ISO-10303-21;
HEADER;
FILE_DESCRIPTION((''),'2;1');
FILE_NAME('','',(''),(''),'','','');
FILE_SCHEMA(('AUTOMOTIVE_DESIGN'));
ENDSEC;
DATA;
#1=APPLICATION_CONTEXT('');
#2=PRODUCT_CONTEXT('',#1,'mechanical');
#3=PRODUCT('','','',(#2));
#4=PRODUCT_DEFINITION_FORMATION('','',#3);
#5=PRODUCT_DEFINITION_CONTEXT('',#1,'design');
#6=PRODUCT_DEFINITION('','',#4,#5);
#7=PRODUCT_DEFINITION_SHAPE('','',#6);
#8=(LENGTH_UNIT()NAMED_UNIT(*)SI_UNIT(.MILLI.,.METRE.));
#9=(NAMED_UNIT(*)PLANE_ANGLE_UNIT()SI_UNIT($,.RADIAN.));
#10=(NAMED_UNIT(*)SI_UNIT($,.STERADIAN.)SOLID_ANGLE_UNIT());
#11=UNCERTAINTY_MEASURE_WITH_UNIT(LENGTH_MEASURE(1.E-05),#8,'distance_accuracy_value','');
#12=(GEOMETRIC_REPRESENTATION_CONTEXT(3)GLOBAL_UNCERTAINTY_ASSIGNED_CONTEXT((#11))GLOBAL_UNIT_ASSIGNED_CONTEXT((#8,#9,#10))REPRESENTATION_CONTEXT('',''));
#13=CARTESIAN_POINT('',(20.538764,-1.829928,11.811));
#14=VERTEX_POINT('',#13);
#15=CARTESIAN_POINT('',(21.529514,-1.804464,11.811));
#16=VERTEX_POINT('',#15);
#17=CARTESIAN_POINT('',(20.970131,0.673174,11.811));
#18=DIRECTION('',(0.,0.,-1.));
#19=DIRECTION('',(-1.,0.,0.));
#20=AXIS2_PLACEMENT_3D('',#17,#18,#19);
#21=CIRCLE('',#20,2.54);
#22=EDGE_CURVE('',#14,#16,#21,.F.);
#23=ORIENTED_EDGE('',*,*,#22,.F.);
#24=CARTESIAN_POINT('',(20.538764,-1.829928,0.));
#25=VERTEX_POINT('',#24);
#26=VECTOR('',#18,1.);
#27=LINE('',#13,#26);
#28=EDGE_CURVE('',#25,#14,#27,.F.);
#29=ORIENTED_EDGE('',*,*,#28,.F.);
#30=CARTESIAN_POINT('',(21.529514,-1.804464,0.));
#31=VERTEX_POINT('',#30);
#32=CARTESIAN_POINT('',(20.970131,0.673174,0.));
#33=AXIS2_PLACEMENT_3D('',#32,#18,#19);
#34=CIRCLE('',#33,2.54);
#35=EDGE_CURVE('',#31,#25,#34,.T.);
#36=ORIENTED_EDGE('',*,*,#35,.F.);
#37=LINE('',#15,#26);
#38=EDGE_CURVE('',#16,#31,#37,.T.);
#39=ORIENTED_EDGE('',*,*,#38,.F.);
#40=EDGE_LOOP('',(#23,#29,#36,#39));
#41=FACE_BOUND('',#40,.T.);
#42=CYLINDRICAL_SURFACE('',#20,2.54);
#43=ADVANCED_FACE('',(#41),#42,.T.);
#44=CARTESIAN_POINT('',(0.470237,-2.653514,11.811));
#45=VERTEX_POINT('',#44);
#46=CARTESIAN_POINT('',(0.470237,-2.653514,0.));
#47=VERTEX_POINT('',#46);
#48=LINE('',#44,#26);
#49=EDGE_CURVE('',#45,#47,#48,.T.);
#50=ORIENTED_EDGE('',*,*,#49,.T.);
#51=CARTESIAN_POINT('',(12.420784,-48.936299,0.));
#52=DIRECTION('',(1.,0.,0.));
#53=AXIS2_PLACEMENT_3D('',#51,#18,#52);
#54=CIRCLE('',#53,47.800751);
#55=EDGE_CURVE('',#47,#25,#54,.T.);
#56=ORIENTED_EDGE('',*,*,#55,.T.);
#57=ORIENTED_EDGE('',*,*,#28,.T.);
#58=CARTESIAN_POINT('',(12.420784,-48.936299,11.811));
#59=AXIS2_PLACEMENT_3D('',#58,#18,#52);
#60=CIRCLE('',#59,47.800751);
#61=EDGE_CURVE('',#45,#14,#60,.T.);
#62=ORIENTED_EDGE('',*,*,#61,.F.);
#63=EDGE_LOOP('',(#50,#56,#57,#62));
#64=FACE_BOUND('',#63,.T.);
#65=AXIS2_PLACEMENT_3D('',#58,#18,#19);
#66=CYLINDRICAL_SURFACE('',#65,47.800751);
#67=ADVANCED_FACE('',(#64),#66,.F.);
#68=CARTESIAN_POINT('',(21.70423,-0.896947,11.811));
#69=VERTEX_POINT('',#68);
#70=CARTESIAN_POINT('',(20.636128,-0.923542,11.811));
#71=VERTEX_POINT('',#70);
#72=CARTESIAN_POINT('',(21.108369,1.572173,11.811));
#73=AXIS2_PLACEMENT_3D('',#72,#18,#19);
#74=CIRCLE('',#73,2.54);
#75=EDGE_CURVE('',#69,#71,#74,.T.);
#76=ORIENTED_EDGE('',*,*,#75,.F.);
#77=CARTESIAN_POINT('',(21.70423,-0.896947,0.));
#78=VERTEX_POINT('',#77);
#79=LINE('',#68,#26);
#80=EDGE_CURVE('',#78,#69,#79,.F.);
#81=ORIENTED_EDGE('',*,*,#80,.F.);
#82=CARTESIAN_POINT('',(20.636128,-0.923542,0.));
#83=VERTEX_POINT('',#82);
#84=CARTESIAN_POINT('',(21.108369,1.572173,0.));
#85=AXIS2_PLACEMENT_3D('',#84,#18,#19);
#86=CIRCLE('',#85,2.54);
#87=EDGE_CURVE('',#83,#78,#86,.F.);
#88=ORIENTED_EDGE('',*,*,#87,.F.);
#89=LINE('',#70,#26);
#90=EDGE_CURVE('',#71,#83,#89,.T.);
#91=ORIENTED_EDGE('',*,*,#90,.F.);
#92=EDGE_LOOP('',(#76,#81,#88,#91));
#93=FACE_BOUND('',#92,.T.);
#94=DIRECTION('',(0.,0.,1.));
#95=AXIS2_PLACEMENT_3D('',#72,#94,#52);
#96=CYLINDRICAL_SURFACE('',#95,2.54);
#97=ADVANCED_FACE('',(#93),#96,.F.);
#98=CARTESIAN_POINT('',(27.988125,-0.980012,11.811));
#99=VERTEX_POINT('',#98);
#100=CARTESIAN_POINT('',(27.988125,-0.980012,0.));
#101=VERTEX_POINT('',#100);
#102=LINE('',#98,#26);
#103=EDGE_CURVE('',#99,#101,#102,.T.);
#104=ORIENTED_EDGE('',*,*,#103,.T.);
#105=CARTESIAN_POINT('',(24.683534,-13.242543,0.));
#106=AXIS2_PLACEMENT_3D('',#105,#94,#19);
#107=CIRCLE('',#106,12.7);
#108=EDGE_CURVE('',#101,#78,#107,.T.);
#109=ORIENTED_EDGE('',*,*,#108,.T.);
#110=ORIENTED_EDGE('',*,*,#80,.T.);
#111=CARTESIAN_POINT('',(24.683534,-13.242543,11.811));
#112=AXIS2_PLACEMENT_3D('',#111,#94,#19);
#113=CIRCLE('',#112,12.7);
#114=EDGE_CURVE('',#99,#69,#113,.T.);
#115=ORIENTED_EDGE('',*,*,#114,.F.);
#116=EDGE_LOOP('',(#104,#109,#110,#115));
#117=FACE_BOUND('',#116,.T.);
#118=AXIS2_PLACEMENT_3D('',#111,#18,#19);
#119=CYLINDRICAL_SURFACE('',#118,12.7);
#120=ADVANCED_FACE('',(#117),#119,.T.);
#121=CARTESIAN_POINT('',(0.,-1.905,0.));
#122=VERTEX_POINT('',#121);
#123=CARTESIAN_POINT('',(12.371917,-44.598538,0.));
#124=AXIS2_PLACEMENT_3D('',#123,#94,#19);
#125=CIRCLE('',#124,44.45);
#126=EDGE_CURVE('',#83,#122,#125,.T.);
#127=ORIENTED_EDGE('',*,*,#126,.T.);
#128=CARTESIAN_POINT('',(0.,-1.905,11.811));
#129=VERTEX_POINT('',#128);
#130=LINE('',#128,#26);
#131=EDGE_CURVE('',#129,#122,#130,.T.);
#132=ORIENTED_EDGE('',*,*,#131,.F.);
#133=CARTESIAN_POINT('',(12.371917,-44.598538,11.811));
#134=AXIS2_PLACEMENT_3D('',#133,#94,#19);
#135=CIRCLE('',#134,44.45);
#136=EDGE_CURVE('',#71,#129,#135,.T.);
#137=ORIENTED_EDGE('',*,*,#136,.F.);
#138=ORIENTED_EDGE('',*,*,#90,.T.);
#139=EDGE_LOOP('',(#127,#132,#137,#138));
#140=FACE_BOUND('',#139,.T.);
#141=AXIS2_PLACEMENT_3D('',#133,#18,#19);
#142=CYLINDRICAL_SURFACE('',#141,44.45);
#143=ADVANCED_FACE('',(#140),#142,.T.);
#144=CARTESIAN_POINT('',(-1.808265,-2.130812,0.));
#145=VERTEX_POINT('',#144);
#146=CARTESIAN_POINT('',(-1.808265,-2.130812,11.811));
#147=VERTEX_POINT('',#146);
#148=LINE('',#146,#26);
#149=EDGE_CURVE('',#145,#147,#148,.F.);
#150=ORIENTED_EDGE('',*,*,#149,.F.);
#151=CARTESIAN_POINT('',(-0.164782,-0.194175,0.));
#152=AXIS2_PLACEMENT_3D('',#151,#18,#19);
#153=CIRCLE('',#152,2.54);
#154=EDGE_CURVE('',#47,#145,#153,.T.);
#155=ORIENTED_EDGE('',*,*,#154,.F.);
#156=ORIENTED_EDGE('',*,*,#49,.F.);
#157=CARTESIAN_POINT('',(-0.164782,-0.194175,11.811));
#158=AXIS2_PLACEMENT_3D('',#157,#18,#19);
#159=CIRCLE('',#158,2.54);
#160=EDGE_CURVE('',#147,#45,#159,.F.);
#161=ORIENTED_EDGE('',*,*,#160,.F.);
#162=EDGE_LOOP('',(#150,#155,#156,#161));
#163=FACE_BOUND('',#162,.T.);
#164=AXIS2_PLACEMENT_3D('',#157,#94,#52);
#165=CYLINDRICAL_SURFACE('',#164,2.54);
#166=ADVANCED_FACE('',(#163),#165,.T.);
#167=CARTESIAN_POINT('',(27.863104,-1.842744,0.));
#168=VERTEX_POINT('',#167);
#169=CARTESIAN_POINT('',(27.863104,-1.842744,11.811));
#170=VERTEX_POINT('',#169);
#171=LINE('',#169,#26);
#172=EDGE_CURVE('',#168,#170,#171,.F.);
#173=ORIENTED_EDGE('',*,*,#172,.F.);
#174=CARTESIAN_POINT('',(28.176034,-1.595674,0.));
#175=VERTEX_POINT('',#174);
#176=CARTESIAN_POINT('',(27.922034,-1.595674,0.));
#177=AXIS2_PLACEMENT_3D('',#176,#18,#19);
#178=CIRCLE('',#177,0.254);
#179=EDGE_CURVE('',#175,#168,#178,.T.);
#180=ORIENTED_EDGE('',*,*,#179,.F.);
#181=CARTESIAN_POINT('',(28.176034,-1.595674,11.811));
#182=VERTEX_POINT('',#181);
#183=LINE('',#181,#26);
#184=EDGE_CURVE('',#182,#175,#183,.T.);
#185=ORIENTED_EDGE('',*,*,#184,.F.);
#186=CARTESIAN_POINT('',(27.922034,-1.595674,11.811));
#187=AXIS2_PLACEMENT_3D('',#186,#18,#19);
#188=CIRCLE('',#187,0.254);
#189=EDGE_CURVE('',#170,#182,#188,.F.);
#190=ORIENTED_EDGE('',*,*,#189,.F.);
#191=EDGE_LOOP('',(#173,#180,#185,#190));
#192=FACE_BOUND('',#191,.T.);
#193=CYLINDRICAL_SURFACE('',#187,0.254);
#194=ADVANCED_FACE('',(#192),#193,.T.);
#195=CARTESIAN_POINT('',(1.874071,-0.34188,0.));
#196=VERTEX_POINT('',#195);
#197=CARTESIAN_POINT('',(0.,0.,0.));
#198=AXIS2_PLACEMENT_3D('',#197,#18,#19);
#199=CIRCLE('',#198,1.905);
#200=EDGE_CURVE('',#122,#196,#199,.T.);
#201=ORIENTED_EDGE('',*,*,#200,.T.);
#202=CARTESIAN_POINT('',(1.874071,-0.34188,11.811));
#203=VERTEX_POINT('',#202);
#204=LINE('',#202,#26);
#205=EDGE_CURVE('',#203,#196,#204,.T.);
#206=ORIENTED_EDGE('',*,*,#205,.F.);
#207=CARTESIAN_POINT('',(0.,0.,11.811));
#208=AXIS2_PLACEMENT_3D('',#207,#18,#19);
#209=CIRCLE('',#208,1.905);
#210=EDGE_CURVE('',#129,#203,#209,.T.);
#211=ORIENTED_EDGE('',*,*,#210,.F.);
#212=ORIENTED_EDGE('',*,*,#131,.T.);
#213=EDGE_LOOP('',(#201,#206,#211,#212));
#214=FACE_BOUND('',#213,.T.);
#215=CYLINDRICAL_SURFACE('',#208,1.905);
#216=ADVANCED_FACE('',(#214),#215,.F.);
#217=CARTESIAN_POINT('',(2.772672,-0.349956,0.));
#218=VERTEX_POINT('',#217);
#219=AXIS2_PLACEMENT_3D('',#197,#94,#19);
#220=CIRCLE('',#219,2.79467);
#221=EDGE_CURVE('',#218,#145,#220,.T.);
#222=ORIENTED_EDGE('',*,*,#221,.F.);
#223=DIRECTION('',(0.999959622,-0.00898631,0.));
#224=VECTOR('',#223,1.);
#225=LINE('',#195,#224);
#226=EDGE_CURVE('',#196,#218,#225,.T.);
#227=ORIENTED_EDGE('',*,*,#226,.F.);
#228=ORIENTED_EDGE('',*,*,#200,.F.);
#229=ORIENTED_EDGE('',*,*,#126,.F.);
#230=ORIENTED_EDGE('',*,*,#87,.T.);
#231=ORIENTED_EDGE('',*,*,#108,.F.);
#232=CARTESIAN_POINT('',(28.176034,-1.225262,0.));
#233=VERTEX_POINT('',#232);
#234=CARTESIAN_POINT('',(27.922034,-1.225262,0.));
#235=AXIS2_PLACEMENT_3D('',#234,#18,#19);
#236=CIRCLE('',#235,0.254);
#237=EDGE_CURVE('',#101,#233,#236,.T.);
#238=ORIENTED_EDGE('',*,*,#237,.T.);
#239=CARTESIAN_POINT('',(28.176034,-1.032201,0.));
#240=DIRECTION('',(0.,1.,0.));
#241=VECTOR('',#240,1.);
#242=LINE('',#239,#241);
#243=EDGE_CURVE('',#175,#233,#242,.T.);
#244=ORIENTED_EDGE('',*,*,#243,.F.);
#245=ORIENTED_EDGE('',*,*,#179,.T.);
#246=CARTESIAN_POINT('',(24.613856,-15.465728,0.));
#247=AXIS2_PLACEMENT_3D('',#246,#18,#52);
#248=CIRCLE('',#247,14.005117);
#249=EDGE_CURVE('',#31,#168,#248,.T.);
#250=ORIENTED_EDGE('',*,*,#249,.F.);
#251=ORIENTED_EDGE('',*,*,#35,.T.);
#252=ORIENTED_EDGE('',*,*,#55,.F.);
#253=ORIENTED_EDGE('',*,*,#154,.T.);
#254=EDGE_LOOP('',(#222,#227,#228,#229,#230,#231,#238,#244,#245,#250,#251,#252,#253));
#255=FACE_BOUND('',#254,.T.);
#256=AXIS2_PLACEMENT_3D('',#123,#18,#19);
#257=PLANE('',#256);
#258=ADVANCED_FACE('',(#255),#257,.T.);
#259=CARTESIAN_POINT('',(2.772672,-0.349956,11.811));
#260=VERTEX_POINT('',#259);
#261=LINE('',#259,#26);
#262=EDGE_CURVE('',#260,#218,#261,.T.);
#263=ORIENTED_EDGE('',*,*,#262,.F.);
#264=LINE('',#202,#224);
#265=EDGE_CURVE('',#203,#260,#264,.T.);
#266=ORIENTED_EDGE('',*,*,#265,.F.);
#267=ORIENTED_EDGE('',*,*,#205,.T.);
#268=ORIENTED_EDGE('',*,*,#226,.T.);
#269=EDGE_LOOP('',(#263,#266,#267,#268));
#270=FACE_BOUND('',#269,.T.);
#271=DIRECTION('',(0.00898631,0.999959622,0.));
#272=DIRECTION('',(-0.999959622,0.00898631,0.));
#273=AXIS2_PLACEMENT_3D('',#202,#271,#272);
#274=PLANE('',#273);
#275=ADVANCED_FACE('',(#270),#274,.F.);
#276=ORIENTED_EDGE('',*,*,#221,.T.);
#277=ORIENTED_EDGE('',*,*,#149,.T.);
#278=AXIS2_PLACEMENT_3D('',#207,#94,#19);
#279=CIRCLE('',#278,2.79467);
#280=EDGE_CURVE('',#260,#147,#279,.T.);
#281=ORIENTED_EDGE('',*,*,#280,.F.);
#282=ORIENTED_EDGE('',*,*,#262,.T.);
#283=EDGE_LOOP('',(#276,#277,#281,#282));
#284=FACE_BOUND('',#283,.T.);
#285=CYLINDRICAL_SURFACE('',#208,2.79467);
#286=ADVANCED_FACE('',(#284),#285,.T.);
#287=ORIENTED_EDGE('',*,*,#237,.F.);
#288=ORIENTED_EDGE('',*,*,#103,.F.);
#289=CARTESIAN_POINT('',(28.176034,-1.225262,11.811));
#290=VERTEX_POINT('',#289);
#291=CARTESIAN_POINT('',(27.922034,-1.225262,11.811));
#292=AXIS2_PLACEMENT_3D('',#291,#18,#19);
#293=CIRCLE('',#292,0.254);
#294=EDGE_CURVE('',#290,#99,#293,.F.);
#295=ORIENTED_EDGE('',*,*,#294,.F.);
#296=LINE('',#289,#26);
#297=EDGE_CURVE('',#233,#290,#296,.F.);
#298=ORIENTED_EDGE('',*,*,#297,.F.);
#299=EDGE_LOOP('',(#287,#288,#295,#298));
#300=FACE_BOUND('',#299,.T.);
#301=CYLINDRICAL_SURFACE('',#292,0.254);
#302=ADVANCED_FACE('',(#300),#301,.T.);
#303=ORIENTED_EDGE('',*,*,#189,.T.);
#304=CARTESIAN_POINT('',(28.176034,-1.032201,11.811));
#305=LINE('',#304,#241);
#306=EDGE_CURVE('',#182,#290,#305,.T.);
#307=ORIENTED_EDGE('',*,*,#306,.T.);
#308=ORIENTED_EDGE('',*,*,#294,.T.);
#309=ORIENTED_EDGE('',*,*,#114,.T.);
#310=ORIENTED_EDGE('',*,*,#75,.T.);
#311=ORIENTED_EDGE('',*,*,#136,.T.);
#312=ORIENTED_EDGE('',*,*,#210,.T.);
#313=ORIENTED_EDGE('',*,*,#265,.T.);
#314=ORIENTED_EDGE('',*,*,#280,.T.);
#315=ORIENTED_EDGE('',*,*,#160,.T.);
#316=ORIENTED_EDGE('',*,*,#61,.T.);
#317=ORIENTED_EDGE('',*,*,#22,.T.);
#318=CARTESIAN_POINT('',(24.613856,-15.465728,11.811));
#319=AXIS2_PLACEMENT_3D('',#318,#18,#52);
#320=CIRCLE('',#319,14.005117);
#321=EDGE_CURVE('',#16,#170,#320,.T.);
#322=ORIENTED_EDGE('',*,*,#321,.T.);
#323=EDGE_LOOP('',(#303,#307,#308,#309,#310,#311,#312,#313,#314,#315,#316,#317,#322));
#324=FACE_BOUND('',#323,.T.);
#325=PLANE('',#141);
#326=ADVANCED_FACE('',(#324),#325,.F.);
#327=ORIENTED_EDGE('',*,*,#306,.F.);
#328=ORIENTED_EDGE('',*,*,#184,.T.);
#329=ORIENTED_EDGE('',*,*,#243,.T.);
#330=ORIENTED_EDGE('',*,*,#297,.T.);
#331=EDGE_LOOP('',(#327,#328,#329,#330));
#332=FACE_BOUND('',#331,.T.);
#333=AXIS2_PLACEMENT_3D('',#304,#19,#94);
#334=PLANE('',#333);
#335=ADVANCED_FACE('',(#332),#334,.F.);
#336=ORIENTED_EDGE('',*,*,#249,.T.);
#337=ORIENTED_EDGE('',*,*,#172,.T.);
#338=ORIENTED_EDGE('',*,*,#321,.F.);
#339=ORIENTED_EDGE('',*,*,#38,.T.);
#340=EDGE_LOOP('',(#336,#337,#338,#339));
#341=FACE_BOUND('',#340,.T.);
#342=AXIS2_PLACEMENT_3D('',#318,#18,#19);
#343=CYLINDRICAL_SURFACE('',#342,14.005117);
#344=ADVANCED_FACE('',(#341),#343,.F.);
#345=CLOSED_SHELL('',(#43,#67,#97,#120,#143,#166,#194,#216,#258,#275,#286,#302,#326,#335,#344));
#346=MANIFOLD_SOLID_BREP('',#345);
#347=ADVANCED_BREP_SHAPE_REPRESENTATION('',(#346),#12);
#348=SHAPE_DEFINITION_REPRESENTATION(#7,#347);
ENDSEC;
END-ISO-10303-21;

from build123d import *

# Parameters (mm, degrees)
BOSS_EXTRUDE1_DEPTH = 11.811
FILLET1_R           = 2.54
FILLET2_R           = 2.54
FILLET3_R           = 2.54
FILLET4_R           = 0.254


with BuildPart() as part:
    # Sketch1 → Boss-Extrude1 (new body)
    with BuildSketch(Plane.XY):
        with BuildLine():
            Line((28.176033565, -1.032201382), (28.176033565, -1.921201382))
            ThreePointArc((28.176033565, -1.921201382), (24.613856271, -1.460610767), (21.051678976, -1.921201382))
            ThreePointArc((21.051678976, -1.921201382), (10.446405641, -1.176341171), (-0.061202039, -2.794))
            ThreePointArc((-0.061202039, -2.794), (-1.825200311, 2.116323585), (2.772672487, -0.349955666))
            Line((2.772672487, -0.349955666), (1.874071212, -0.34188023))
            ThreePointArc((1.874071212, -0.34188023), (-1.220193255, 1.462926321), (0, -1.905))
            ThreePointArc((0, -1.905), (10.542698007, -0.186192099), (21.191033565, -1.032201382))
            ThreePointArc((21.191033565, -1.032201382), (24.683533565, -0.542543055), (28.176033565, -1.032201382))
        make_face()
    extrude(amount=BOSS_EXTRUDE1_DEPTH)

    # Fillet1
    fillet1_edges = [part.edges().sort_by_distance(p)[0] for p in [
        (-0.061202039, -2.794, 5.9055),
    ]]
    fillet(fillet1_edges, radius=FILLET1_R)

    # Fillet2
    fillet2_edges = [part.edges().sort_by_distance(p)[0] for p in [
        (21.051678976, -1.921201382, 5.9055),
    ]]
    fillet(fillet2_edges, radius=FILLET2_R)

    # Fillet3
    fillet3_edges = [part.edges().sort_by_distance(p)[0] for p in [
        (21.191033565, -1.032201382, 5.9055),
    ]]
    fillet(fillet3_edges, radius=FILLET3_R)

    # Fillet4
    fillet4_edges = [part.edges().sort_by_distance(p)[0] for p in [
        (28.176033565, -1.032201382, 5.9055),
        (28.176033565, -1.921201382, 5.9055),
    ]]
    fillet(fillet4_edges, radius=FILLET4_R)


solid = part.part
